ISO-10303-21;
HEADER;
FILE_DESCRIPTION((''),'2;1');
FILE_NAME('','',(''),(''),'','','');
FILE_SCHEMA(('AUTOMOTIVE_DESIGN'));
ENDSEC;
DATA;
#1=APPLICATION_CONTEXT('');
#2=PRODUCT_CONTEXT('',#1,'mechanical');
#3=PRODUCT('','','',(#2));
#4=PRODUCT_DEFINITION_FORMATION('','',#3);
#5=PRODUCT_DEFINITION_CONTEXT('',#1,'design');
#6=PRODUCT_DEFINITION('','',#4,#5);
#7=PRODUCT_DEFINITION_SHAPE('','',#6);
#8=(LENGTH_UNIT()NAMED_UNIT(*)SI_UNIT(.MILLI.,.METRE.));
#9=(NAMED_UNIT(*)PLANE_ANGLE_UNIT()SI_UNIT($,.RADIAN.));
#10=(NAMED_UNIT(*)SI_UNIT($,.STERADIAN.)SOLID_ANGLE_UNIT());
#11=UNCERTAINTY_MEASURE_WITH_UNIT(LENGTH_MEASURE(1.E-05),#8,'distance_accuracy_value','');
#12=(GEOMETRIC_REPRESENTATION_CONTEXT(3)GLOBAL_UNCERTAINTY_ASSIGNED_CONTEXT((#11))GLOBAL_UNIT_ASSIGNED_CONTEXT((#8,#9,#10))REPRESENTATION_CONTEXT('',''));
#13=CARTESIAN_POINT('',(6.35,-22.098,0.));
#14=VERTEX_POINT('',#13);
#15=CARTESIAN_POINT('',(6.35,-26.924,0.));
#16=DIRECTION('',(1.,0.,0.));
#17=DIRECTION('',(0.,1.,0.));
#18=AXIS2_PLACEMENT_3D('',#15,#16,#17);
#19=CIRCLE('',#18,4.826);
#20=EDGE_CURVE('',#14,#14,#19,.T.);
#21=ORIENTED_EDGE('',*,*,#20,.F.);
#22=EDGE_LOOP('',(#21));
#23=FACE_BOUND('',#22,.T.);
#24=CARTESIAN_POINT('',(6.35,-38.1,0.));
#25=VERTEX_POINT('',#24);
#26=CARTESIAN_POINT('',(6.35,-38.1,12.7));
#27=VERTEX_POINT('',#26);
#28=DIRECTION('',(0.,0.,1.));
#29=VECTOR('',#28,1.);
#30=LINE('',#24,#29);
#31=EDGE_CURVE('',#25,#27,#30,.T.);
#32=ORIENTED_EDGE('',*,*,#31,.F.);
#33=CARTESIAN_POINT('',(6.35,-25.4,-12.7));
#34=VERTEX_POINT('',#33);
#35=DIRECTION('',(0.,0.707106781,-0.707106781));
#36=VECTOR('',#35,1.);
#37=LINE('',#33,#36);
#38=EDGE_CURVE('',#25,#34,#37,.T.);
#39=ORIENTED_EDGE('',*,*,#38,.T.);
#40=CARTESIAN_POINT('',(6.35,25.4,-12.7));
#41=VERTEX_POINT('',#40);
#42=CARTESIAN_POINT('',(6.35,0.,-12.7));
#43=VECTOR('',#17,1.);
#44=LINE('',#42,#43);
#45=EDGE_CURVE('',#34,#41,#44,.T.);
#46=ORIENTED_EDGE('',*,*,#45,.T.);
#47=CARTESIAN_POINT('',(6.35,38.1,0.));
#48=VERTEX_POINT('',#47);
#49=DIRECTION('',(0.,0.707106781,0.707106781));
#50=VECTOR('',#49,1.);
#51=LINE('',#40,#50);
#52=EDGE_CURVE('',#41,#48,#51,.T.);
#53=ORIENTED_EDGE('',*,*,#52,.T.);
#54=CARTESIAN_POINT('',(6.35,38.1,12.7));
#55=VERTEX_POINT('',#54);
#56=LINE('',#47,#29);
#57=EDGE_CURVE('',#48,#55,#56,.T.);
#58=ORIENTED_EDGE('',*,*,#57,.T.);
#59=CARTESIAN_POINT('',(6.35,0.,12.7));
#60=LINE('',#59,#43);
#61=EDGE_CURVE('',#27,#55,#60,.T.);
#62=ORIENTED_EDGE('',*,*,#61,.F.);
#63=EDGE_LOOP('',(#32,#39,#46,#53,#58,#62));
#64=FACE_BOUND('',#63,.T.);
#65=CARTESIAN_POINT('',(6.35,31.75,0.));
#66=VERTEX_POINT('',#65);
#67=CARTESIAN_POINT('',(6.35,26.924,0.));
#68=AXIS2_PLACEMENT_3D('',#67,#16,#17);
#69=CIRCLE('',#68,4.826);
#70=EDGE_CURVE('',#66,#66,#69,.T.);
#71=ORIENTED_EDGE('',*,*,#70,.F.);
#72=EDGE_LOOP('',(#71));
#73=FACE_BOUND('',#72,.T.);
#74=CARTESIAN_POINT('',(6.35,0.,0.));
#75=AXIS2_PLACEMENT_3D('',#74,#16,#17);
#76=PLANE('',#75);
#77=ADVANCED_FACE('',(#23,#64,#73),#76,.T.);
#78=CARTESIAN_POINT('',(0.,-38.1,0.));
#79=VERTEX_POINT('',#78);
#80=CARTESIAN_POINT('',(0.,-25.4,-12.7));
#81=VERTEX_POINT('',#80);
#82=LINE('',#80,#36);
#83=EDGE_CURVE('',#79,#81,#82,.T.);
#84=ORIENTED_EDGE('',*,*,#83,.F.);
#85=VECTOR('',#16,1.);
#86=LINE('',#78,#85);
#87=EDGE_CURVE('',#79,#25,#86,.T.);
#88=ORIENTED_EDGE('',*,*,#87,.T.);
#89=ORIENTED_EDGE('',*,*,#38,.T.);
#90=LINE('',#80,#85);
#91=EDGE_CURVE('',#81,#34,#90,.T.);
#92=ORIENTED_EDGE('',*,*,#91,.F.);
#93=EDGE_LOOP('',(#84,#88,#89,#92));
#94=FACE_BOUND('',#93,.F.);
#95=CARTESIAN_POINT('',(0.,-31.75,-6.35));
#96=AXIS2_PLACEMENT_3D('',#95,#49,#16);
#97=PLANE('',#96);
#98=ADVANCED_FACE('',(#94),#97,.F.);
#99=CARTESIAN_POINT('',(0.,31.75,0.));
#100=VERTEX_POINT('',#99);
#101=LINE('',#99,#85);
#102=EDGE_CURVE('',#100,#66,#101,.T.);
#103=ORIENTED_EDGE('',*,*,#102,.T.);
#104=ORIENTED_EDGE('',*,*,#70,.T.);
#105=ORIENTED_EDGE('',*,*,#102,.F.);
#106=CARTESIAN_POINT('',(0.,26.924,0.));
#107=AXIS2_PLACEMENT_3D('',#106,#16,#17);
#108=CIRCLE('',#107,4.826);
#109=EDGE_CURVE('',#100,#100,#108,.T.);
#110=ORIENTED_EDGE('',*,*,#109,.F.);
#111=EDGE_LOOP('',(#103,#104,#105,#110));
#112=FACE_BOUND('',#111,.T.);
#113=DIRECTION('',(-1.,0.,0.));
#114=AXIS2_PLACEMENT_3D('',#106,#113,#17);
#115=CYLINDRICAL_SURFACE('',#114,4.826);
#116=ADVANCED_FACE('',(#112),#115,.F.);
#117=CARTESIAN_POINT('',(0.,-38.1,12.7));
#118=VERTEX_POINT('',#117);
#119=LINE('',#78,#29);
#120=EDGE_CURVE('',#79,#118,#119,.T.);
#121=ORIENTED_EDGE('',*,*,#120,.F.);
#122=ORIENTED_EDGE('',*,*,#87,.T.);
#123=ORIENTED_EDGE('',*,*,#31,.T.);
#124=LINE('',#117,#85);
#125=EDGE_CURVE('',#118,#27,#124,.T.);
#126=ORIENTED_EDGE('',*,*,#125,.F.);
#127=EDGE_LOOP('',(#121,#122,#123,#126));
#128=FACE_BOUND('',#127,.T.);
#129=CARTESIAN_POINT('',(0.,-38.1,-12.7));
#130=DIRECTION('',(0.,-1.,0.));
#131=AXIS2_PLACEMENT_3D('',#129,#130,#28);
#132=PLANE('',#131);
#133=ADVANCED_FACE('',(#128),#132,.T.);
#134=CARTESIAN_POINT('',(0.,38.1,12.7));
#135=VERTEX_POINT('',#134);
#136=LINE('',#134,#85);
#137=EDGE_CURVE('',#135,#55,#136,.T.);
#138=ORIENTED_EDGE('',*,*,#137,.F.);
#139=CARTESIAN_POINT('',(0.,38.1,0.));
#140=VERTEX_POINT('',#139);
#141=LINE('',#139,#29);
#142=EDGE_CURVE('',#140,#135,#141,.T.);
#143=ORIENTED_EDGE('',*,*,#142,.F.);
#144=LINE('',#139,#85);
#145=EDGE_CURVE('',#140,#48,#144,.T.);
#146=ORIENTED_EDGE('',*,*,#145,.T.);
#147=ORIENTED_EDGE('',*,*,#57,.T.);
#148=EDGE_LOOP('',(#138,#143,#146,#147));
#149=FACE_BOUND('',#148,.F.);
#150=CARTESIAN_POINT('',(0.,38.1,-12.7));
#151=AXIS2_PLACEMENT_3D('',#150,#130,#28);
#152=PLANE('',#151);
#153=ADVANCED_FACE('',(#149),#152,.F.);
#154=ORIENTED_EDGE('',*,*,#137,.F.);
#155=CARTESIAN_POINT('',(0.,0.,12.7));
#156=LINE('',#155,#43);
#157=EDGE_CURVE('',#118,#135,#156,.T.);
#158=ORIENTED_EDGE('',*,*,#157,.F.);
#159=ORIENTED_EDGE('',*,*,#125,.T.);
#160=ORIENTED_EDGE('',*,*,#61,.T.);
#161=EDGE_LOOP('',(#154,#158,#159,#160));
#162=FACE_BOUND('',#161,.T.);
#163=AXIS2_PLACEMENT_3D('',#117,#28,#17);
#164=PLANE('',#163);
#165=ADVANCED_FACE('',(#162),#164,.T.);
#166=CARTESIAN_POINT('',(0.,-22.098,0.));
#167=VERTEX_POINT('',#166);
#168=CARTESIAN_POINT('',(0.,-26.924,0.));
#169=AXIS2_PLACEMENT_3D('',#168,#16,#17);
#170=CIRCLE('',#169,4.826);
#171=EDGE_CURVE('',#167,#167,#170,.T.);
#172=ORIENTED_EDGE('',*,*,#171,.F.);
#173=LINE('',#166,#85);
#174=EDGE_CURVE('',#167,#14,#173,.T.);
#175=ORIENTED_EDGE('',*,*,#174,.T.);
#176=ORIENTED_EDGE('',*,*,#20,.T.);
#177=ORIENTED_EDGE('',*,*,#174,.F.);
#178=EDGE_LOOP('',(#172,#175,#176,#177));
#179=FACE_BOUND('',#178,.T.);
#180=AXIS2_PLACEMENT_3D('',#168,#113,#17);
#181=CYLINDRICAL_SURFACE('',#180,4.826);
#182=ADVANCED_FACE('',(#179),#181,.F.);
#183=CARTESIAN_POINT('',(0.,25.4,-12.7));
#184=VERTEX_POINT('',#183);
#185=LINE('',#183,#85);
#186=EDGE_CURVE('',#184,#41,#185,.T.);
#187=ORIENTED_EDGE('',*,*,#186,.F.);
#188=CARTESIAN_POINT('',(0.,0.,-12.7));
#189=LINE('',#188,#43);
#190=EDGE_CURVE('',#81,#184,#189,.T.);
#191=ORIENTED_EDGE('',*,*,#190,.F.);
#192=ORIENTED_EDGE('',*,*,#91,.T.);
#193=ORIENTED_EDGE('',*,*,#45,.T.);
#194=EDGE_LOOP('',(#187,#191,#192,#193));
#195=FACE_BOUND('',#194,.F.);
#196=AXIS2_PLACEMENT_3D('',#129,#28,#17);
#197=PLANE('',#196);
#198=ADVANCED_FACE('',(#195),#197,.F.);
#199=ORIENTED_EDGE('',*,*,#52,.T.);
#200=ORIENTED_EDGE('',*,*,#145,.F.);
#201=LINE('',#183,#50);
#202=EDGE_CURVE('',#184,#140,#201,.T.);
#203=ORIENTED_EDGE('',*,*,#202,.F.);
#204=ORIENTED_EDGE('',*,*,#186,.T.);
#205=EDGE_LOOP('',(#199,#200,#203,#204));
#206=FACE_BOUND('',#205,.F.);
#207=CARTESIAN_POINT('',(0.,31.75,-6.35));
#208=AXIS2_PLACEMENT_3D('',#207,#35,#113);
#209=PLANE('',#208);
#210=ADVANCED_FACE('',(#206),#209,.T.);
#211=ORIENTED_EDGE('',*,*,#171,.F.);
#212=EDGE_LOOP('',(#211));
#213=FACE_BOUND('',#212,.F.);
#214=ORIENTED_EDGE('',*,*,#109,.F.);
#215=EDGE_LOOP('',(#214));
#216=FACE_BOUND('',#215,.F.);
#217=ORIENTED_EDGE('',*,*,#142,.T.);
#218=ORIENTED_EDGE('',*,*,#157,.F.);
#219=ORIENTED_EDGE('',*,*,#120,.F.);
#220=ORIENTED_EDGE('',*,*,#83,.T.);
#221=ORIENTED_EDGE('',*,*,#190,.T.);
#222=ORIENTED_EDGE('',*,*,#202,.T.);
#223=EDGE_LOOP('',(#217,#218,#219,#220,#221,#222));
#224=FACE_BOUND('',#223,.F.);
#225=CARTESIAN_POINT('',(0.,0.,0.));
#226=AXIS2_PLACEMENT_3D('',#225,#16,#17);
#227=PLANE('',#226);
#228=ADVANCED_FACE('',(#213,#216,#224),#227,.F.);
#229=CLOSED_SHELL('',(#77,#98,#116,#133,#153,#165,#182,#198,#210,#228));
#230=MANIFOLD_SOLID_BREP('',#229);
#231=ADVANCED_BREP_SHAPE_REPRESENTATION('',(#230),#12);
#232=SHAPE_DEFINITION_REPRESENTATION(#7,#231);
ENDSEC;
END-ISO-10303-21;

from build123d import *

# Parameters (mm, degrees)
F0_W     = 76.2
F0_H     = 25.4
F0_R     = 4.826
F1_DEPTH = 6.35
F2_SIZE  = 12.7


with BuildPart() as f1:
    # F0 (on Right) → F1 (new body)
    with BuildSketch(Plane.YZ):
        Rectangle(F0_W, F0_H)
        with Locations((-26.924, 0)):
            Circle(F0_R, mode=Mode.SUBTRACT)
        with Locations((26.924, 0)):
            Circle(F0_R, mode=Mode.SUBTRACT)
    extrude(amount=F1_DEPTH)

    # F2
    f2_edges = [f1.edges().sort_by_distance(p)[0] for p in [
        (3.175, -38.1, -12.7),
        (3.175, 38.1, -12.7),
    ]]
    chamfer(f2_edges, length=F2_SIZE)


solid = f1.part
